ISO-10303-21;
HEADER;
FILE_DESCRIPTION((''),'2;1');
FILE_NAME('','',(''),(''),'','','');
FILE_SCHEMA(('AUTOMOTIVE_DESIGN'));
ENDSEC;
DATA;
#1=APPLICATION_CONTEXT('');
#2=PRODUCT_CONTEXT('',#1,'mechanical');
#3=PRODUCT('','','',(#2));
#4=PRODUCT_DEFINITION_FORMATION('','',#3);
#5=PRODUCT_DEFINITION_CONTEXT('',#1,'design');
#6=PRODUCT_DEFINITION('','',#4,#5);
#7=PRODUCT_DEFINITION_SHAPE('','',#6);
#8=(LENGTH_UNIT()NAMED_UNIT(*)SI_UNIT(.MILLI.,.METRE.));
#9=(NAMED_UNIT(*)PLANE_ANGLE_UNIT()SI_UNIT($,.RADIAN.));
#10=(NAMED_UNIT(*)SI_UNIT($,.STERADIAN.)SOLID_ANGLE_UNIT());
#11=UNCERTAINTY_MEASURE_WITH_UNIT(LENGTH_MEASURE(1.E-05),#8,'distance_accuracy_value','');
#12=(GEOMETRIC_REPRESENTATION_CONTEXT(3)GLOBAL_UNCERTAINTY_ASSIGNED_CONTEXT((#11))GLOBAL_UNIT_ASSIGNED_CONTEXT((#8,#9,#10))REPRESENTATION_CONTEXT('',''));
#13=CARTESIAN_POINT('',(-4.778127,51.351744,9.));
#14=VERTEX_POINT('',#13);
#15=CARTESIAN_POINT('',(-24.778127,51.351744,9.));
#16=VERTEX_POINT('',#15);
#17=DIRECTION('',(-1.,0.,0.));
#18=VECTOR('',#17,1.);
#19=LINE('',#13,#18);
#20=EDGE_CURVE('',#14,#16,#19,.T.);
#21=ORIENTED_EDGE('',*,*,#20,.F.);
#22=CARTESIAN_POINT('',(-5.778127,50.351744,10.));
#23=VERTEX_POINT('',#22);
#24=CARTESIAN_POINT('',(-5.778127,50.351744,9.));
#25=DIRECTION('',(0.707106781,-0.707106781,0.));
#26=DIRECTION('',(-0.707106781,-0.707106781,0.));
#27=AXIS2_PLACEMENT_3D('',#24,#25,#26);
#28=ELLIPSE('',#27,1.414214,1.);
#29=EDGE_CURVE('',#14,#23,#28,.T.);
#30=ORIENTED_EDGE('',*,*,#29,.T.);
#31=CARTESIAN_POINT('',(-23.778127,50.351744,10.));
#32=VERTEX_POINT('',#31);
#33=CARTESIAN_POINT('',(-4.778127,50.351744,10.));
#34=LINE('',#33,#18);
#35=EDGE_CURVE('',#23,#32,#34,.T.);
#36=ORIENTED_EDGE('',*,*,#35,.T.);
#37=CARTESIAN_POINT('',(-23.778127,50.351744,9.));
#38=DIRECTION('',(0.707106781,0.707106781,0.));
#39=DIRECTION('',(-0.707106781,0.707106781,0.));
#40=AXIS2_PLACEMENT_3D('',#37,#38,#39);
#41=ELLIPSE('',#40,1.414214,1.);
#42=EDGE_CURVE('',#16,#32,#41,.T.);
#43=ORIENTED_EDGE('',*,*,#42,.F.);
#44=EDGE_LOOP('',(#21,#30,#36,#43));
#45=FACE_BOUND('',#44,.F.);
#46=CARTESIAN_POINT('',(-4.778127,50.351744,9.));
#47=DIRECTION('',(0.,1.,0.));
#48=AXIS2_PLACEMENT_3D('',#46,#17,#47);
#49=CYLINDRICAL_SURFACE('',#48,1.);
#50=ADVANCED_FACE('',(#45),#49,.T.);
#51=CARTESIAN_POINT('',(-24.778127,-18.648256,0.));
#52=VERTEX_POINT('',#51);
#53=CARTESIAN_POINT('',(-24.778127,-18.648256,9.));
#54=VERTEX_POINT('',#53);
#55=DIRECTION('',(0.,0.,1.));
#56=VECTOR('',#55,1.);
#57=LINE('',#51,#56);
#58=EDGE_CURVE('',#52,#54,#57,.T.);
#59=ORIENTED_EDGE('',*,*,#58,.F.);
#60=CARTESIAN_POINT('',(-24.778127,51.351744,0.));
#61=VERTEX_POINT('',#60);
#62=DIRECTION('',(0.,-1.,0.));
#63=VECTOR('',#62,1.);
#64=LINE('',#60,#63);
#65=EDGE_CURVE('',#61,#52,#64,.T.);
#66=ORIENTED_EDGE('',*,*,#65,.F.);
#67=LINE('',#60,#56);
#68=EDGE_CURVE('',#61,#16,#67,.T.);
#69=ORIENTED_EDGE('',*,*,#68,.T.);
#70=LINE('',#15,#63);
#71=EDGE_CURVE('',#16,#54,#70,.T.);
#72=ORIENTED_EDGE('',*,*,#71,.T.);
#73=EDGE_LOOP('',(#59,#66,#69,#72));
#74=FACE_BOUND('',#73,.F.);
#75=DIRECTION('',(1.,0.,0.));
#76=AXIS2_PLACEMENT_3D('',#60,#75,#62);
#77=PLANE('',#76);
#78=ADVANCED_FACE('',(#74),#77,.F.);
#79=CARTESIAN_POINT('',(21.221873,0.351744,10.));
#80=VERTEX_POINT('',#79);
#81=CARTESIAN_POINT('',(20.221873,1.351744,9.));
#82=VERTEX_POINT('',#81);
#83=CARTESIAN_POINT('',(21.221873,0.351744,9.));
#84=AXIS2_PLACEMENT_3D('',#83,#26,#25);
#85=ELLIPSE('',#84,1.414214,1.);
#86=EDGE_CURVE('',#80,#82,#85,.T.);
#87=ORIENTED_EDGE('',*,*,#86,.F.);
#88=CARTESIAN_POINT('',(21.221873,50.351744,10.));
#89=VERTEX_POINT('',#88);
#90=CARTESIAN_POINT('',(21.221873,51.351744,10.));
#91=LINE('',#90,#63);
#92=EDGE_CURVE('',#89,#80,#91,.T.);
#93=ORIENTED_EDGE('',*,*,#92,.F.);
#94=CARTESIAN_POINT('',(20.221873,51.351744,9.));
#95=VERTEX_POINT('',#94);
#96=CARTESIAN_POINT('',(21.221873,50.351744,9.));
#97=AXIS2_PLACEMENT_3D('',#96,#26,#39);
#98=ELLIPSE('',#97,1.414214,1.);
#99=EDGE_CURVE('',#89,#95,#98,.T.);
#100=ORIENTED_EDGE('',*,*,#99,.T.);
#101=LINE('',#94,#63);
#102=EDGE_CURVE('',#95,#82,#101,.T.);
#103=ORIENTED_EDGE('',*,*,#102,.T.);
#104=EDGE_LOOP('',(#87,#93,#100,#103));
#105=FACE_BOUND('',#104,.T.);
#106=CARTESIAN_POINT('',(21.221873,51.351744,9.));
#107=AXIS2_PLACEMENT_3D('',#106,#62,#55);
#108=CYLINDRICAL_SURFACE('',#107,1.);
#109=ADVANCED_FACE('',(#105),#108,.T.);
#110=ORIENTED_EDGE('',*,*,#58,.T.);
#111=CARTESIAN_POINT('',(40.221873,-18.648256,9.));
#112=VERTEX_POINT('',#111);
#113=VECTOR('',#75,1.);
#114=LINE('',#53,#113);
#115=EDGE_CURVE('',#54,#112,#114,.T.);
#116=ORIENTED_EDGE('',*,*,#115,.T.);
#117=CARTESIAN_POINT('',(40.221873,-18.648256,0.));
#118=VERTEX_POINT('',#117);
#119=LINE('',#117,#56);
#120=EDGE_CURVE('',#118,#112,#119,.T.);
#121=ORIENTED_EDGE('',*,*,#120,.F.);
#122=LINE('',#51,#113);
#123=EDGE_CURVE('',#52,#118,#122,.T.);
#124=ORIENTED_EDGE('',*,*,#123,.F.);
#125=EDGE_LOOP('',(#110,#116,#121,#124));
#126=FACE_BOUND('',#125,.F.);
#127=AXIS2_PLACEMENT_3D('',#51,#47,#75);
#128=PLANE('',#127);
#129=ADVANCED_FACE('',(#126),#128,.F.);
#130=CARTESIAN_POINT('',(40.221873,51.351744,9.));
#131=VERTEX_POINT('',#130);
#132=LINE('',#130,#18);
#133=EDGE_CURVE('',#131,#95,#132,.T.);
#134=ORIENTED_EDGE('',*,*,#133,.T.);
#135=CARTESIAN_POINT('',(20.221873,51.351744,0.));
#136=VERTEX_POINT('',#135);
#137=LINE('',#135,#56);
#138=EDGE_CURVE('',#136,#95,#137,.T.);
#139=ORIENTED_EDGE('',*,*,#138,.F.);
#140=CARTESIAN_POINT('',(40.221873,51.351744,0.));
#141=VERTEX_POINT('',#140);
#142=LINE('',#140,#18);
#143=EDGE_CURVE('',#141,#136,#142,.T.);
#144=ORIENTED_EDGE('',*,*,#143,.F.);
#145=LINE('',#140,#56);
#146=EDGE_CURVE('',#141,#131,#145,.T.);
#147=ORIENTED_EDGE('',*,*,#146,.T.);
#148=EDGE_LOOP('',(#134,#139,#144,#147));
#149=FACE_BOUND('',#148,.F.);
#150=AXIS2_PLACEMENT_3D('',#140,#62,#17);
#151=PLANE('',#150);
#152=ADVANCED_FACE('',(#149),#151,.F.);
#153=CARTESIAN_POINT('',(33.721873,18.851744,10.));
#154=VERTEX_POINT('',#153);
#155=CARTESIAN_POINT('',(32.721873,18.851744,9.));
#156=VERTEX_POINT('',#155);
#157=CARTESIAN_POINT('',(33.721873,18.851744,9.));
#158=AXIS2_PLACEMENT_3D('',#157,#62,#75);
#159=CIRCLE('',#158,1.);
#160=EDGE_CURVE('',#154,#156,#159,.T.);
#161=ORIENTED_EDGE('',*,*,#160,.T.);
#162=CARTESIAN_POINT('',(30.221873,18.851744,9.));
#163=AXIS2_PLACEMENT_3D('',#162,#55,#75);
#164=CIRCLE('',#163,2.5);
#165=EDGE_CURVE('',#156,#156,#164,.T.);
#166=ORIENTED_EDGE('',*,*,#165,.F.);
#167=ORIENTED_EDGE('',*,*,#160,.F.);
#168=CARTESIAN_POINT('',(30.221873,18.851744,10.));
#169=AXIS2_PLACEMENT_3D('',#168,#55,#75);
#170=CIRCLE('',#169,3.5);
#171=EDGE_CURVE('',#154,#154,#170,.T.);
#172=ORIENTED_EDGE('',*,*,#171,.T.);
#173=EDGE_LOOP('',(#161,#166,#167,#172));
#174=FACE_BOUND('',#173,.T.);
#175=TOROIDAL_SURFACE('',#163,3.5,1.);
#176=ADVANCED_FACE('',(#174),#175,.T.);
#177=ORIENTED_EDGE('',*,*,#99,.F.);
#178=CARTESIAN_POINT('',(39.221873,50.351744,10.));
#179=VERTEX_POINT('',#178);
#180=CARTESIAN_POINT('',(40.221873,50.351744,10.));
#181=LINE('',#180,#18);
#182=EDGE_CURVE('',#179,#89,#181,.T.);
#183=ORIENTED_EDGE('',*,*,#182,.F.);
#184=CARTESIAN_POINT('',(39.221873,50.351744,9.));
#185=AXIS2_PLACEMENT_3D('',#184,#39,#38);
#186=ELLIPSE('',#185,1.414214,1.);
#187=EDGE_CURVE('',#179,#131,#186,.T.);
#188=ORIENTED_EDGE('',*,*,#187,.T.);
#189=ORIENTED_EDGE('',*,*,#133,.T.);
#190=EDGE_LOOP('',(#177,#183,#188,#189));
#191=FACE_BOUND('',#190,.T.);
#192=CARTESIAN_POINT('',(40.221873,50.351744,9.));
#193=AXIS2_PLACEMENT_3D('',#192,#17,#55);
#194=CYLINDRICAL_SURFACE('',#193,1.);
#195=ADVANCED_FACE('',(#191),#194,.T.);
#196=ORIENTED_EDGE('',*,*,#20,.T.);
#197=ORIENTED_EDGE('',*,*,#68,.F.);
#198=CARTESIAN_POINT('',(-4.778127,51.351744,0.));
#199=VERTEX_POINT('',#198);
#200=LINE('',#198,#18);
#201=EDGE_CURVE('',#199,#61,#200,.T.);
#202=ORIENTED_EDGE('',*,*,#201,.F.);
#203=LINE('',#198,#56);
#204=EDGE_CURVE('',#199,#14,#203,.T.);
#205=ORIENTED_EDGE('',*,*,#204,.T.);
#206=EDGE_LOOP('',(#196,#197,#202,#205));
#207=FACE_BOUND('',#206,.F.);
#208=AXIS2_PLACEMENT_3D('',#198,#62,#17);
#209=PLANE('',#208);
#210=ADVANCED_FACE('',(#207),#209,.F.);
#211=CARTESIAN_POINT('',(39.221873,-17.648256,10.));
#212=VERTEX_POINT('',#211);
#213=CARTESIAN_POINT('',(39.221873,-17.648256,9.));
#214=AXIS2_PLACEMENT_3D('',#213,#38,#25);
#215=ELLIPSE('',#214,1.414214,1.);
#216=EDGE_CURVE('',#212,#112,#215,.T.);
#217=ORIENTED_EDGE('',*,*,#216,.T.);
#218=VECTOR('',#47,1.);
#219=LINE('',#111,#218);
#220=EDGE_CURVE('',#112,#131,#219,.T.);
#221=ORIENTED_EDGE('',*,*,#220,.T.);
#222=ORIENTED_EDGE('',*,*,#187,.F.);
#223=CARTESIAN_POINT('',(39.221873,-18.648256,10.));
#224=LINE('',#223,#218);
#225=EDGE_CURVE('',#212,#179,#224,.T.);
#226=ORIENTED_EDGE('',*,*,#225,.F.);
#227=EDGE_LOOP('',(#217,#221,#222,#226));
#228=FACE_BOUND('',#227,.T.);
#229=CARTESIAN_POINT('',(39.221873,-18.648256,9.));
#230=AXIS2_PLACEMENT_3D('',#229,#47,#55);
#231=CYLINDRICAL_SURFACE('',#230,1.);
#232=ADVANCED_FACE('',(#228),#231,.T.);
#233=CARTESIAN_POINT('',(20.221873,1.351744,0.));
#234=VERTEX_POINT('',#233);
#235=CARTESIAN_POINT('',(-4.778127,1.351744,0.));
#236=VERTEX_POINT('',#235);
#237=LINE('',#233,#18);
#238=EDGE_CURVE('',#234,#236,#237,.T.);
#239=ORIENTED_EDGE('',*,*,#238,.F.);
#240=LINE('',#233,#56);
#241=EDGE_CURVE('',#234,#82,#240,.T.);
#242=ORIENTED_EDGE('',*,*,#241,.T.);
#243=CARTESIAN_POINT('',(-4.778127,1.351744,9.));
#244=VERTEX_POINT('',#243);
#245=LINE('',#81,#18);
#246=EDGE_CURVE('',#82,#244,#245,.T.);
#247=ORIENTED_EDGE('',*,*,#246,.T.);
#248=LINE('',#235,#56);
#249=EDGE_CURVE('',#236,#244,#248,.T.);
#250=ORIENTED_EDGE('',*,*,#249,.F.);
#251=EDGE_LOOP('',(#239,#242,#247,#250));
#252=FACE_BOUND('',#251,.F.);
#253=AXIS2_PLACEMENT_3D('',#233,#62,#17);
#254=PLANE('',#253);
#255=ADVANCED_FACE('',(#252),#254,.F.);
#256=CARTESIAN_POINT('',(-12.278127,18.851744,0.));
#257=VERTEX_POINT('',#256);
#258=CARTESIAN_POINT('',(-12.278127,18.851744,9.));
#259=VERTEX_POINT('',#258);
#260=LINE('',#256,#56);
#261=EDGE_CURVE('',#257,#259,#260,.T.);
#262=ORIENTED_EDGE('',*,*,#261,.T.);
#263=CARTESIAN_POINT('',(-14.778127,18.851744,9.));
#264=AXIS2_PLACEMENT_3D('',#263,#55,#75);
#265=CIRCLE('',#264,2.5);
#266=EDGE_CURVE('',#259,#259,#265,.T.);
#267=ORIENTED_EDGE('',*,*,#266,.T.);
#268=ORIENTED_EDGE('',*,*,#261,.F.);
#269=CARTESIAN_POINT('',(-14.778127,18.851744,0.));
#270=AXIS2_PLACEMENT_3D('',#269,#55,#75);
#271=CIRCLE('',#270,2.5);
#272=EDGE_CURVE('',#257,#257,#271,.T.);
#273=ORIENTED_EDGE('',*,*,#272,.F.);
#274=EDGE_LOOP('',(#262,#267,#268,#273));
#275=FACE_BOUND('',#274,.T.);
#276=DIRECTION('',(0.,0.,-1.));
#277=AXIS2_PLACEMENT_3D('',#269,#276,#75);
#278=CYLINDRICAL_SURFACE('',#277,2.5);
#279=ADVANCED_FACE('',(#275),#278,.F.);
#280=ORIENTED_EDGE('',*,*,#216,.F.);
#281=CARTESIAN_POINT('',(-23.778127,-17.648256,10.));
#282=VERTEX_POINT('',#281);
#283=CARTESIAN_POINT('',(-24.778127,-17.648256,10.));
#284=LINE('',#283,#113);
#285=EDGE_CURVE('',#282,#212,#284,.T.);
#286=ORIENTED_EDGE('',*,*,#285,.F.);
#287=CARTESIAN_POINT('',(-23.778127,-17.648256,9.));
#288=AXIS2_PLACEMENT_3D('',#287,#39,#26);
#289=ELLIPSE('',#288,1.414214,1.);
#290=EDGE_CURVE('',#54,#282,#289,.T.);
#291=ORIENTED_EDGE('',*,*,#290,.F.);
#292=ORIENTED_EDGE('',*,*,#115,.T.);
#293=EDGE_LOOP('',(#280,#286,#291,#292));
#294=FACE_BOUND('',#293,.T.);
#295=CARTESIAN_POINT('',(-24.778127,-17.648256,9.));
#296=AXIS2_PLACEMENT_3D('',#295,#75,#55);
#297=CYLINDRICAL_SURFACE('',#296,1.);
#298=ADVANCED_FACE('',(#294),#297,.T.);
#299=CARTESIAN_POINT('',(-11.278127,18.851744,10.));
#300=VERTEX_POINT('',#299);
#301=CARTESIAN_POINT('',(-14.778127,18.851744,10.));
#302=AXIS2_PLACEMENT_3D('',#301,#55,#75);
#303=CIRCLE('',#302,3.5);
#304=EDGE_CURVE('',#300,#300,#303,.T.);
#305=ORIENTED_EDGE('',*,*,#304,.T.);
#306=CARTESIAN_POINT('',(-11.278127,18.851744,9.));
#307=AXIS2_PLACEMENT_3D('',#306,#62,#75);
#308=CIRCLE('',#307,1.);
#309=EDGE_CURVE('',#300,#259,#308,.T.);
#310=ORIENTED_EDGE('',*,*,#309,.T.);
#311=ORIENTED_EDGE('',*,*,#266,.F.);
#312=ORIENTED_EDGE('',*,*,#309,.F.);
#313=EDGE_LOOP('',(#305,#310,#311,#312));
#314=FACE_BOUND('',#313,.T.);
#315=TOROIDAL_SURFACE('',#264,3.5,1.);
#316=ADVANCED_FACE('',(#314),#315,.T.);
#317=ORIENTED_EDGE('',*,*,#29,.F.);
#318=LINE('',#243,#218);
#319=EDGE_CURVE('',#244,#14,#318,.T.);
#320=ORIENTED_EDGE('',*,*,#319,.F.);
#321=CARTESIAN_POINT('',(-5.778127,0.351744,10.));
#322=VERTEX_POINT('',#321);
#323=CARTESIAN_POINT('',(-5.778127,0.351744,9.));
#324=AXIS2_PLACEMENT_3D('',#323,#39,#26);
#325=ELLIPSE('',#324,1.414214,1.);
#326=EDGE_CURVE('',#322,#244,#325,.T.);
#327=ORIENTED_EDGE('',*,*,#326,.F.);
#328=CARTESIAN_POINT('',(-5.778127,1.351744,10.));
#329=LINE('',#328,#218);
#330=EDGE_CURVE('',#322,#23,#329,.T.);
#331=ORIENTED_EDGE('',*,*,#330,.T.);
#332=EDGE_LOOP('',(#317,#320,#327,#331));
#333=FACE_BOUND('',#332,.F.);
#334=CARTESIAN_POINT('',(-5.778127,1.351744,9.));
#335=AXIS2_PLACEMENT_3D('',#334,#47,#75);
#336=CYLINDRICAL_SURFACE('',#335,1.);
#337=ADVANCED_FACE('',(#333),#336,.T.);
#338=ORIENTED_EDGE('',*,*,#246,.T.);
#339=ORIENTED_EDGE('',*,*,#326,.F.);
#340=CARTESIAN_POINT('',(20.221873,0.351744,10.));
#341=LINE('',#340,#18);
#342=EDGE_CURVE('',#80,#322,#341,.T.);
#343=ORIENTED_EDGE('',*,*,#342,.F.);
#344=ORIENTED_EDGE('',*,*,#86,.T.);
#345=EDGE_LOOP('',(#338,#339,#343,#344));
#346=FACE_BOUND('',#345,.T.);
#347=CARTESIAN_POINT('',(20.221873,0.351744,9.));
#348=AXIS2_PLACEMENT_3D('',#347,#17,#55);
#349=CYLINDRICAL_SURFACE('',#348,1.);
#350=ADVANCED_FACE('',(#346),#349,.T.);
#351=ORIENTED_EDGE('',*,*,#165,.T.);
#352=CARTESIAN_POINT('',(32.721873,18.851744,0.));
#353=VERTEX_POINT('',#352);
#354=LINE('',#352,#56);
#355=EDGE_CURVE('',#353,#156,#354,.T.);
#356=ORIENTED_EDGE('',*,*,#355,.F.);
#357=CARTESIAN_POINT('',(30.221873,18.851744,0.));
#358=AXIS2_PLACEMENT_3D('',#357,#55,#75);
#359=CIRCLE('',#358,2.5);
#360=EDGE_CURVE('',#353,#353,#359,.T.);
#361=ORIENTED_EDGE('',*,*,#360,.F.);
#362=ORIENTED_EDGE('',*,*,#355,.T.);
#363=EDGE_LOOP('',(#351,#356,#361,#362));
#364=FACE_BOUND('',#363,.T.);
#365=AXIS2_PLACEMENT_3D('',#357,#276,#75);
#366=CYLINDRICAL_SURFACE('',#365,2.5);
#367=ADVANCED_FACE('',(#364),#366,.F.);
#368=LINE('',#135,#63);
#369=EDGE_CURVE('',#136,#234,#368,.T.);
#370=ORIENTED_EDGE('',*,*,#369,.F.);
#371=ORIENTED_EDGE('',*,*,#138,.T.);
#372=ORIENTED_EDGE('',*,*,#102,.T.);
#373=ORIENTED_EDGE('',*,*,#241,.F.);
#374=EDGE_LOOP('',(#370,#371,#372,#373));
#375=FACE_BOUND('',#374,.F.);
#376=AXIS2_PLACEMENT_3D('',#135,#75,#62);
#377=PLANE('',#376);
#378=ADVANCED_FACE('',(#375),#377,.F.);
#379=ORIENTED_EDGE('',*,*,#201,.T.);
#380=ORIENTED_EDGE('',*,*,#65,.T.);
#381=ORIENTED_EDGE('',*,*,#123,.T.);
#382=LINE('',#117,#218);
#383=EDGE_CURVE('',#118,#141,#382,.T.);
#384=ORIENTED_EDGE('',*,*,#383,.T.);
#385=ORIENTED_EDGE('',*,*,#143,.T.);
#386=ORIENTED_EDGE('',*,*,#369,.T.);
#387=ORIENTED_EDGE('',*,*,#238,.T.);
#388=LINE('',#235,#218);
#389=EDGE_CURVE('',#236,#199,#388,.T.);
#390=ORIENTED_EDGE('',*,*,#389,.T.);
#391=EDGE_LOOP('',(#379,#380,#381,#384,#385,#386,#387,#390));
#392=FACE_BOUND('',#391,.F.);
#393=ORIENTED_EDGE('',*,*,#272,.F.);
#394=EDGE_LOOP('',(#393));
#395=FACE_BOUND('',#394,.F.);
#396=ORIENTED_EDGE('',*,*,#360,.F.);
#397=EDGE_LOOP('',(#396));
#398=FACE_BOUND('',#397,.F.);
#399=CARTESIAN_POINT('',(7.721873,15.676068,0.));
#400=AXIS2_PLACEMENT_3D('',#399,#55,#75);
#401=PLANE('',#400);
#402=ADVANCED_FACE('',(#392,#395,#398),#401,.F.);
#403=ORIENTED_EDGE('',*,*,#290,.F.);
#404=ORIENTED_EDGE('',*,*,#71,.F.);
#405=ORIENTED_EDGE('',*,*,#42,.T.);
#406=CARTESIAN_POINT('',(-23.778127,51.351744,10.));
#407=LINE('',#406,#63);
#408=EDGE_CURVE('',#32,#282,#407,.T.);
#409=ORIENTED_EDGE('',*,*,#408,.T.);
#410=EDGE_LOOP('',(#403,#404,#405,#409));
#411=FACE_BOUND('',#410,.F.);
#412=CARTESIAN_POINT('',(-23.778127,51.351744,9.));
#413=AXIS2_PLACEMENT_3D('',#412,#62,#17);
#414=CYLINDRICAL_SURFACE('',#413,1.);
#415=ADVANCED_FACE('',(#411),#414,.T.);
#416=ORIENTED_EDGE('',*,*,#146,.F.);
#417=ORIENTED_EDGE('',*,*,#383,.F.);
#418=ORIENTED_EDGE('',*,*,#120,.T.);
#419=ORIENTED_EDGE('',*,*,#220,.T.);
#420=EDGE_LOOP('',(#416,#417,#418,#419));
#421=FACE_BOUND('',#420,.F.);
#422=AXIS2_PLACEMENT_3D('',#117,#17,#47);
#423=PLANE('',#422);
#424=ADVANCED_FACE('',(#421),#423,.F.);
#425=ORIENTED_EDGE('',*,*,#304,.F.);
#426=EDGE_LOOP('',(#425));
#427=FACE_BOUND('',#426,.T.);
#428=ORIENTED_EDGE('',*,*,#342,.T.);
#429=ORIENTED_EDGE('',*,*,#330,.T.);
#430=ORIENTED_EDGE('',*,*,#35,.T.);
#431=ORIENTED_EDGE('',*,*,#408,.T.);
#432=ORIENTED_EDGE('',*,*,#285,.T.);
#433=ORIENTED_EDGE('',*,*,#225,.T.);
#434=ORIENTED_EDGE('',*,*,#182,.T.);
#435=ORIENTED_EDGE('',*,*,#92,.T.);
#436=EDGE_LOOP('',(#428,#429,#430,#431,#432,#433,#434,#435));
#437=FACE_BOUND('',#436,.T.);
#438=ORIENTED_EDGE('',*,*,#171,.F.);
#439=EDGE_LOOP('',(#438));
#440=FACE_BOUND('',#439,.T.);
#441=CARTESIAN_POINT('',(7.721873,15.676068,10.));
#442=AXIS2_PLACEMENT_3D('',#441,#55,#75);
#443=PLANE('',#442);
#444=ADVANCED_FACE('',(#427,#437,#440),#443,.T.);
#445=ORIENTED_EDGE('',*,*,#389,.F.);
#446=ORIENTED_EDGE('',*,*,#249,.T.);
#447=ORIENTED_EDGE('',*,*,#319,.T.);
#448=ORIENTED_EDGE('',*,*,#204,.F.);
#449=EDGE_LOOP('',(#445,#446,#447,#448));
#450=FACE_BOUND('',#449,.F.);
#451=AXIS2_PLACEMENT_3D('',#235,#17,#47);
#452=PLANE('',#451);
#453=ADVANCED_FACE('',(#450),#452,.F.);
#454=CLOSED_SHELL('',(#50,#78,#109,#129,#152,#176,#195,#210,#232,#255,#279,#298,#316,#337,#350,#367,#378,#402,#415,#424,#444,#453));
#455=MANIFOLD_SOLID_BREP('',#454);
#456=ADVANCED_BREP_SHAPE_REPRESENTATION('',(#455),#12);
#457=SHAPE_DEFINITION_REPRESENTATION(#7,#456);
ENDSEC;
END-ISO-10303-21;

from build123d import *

# Parameters (mm, degrees)
F0_R     = 2.5
F1_DEPTH = 10
F2_DEPTH = 10
F3_R     = 1


with BuildPart() as f1:
    # F0 (on Top) → F1 (new body)
    with BuildSketch(Plane.XY):
        Polygon((-4.778127, 51.351744), (-24.778127, 51.351744), (-24.778127, -18.648256), (40.221873, -18.648256), (40.221873, 51.351744), (20.221873, 51.351744), (20.221873, 1.351744), (-4.778127, 1.351744), align=None)
        with Locations((-14.778127, 18.851744)):
            Circle(F0_R, mode=Mode.SUBTRACT)
        with Locations((30.221873, 18.851744)):
            Circle(F0_R, mode=Mode.SUBTRACT)
    extrude(amount=F1_DEPTH)

    # F0 (on Top) → F2 (join)
    with BuildSketch(Plane.XY):
        Polygon((-4.778127, 51.351744), (-24.778127, 51.351744), (-24.778127, -18.648256), (40.221873, -18.648256), (40.221873, 51.351744), (20.221873, 51.351744), (20.221873, 1.351744), (-4.778127, 1.351744), align=None)
        with Locations((-14.778127, 18.851744)):
            Circle(F0_R, mode=Mode.SUBTRACT)
        with Locations((30.221873, 18.851744)):
            Circle(F0_R, mode=Mode.SUBTRACT)
    extrude(amount=F2_DEPTH)

    # F3
    f3_edges = [f1.edges().sort_by_distance(p)[0] for p in [
        (-14.778127, 51.351744, 10),
        (-24.778127, 16.351744, 10),
        (7.721873, -18.648256, 10),
        (40.221873, 16.351744, 10),
        (30.221873, 51.351744, 10),
        (20.221873, 26.351744, 10),
        (7.721873, 1.351744, 10),
        (-4.778127, 26.351744, 10),
        (-17.278127, 18.851744, 10),
        (27.721873, 18.851744, 10),
    ]]
    fillet(f3_edges, radius=F3_R)


solid = f1.part
